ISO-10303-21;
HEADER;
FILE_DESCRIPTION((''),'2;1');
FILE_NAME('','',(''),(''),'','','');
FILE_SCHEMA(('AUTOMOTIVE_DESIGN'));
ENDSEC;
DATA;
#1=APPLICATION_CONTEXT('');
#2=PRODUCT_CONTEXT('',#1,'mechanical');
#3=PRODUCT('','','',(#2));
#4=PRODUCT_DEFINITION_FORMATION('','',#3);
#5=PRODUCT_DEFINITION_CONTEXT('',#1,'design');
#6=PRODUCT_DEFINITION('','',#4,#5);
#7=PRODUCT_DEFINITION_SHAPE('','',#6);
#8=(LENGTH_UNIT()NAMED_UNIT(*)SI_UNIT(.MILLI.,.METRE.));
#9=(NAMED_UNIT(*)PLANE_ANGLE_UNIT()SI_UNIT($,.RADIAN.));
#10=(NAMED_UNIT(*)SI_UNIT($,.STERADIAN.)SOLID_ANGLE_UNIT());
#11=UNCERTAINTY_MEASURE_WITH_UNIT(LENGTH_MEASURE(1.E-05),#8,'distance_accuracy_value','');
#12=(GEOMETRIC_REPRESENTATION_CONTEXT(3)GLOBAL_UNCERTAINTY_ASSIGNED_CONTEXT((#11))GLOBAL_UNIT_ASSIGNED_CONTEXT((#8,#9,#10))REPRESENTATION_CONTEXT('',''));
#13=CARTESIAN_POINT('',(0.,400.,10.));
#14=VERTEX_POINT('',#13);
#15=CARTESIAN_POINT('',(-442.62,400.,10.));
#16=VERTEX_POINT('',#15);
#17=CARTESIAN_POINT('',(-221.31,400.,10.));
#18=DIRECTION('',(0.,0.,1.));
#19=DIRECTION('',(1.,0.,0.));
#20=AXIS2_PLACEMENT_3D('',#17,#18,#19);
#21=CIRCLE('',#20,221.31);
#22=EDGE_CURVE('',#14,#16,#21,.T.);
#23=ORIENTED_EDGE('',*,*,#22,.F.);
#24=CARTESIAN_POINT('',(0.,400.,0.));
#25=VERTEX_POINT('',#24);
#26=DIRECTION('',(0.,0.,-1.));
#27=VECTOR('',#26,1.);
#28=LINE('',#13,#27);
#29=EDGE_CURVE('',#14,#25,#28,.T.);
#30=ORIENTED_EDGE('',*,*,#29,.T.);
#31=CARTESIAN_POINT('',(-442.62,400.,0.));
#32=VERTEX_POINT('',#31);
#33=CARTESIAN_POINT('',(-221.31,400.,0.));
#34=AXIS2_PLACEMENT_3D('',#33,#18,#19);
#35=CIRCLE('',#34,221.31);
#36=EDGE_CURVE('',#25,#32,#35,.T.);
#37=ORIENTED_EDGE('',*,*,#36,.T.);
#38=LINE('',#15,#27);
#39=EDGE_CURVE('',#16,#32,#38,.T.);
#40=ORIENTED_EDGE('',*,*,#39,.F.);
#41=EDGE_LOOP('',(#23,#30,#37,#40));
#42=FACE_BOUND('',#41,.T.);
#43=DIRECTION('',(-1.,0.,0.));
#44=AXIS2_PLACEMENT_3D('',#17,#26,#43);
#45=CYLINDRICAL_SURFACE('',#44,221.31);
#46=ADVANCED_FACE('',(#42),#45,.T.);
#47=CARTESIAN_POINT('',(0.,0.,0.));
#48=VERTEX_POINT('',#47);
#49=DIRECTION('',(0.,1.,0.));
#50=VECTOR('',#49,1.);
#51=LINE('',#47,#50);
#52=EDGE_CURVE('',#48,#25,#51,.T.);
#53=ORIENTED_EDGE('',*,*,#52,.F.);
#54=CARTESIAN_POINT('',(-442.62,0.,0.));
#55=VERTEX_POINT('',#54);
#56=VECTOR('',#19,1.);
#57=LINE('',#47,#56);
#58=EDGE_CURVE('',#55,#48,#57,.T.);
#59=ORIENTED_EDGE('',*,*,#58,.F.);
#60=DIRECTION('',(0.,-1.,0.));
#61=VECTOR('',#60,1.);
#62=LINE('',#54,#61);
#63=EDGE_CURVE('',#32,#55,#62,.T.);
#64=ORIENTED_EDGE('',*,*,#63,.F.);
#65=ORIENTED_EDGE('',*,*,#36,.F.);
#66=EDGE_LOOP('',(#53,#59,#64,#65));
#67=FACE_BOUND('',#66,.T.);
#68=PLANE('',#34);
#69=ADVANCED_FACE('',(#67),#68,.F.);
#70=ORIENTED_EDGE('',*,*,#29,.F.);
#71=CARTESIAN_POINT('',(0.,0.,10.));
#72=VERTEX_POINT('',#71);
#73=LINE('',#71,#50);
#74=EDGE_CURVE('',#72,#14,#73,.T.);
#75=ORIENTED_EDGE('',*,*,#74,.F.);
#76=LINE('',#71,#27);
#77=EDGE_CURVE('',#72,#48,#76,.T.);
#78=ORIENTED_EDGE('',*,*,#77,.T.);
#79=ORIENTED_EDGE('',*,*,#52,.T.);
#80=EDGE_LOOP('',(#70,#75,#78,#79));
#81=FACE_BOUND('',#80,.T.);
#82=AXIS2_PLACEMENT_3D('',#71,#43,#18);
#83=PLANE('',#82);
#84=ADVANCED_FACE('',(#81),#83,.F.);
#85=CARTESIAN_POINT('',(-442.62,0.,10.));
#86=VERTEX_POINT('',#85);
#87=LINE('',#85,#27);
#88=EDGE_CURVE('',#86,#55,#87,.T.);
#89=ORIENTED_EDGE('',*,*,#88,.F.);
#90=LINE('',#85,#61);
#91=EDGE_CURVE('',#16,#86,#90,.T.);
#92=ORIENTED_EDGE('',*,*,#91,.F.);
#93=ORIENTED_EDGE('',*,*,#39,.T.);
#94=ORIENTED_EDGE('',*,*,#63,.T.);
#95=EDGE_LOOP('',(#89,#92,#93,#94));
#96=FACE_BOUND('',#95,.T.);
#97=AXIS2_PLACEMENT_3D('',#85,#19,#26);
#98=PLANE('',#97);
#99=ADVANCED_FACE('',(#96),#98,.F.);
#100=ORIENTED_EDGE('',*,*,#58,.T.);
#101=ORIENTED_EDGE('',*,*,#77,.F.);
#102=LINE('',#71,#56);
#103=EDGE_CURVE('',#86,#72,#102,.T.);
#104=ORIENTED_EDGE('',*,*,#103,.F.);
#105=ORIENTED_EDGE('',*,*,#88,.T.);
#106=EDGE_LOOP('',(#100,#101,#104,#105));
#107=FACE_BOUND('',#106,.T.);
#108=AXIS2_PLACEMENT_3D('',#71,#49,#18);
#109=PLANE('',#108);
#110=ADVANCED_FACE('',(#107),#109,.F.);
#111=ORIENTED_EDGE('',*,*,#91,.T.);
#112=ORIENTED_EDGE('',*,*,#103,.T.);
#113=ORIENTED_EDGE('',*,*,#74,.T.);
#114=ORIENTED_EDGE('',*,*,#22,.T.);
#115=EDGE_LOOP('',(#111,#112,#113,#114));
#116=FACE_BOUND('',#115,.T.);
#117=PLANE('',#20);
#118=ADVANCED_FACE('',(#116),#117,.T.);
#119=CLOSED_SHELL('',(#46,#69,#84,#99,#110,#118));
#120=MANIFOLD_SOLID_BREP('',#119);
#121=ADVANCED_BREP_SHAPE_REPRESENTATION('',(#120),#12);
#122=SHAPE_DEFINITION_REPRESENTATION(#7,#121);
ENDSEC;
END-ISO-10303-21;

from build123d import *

# Parameters (mm, degrees)
BOSS_EXTRUDE1_DEPTH = 10


with BuildPart() as part:
    # Sketch1 → Boss-Extrude1 (new body)
    with BuildSketch(Plane.XY):
        with BuildLine():
            Line((0, 0), (-442.62, 0))
            Line((-442.62, 0), (-442.62, 400))
            ThreePointArc((-442.62, 400), (-221.31, 621.31), (0, 400))
            Line((0, 400), (0, 0))
        make_face()
    extrude(amount=BOSS_EXTRUDE1_DEPTH)


solid = part.part
